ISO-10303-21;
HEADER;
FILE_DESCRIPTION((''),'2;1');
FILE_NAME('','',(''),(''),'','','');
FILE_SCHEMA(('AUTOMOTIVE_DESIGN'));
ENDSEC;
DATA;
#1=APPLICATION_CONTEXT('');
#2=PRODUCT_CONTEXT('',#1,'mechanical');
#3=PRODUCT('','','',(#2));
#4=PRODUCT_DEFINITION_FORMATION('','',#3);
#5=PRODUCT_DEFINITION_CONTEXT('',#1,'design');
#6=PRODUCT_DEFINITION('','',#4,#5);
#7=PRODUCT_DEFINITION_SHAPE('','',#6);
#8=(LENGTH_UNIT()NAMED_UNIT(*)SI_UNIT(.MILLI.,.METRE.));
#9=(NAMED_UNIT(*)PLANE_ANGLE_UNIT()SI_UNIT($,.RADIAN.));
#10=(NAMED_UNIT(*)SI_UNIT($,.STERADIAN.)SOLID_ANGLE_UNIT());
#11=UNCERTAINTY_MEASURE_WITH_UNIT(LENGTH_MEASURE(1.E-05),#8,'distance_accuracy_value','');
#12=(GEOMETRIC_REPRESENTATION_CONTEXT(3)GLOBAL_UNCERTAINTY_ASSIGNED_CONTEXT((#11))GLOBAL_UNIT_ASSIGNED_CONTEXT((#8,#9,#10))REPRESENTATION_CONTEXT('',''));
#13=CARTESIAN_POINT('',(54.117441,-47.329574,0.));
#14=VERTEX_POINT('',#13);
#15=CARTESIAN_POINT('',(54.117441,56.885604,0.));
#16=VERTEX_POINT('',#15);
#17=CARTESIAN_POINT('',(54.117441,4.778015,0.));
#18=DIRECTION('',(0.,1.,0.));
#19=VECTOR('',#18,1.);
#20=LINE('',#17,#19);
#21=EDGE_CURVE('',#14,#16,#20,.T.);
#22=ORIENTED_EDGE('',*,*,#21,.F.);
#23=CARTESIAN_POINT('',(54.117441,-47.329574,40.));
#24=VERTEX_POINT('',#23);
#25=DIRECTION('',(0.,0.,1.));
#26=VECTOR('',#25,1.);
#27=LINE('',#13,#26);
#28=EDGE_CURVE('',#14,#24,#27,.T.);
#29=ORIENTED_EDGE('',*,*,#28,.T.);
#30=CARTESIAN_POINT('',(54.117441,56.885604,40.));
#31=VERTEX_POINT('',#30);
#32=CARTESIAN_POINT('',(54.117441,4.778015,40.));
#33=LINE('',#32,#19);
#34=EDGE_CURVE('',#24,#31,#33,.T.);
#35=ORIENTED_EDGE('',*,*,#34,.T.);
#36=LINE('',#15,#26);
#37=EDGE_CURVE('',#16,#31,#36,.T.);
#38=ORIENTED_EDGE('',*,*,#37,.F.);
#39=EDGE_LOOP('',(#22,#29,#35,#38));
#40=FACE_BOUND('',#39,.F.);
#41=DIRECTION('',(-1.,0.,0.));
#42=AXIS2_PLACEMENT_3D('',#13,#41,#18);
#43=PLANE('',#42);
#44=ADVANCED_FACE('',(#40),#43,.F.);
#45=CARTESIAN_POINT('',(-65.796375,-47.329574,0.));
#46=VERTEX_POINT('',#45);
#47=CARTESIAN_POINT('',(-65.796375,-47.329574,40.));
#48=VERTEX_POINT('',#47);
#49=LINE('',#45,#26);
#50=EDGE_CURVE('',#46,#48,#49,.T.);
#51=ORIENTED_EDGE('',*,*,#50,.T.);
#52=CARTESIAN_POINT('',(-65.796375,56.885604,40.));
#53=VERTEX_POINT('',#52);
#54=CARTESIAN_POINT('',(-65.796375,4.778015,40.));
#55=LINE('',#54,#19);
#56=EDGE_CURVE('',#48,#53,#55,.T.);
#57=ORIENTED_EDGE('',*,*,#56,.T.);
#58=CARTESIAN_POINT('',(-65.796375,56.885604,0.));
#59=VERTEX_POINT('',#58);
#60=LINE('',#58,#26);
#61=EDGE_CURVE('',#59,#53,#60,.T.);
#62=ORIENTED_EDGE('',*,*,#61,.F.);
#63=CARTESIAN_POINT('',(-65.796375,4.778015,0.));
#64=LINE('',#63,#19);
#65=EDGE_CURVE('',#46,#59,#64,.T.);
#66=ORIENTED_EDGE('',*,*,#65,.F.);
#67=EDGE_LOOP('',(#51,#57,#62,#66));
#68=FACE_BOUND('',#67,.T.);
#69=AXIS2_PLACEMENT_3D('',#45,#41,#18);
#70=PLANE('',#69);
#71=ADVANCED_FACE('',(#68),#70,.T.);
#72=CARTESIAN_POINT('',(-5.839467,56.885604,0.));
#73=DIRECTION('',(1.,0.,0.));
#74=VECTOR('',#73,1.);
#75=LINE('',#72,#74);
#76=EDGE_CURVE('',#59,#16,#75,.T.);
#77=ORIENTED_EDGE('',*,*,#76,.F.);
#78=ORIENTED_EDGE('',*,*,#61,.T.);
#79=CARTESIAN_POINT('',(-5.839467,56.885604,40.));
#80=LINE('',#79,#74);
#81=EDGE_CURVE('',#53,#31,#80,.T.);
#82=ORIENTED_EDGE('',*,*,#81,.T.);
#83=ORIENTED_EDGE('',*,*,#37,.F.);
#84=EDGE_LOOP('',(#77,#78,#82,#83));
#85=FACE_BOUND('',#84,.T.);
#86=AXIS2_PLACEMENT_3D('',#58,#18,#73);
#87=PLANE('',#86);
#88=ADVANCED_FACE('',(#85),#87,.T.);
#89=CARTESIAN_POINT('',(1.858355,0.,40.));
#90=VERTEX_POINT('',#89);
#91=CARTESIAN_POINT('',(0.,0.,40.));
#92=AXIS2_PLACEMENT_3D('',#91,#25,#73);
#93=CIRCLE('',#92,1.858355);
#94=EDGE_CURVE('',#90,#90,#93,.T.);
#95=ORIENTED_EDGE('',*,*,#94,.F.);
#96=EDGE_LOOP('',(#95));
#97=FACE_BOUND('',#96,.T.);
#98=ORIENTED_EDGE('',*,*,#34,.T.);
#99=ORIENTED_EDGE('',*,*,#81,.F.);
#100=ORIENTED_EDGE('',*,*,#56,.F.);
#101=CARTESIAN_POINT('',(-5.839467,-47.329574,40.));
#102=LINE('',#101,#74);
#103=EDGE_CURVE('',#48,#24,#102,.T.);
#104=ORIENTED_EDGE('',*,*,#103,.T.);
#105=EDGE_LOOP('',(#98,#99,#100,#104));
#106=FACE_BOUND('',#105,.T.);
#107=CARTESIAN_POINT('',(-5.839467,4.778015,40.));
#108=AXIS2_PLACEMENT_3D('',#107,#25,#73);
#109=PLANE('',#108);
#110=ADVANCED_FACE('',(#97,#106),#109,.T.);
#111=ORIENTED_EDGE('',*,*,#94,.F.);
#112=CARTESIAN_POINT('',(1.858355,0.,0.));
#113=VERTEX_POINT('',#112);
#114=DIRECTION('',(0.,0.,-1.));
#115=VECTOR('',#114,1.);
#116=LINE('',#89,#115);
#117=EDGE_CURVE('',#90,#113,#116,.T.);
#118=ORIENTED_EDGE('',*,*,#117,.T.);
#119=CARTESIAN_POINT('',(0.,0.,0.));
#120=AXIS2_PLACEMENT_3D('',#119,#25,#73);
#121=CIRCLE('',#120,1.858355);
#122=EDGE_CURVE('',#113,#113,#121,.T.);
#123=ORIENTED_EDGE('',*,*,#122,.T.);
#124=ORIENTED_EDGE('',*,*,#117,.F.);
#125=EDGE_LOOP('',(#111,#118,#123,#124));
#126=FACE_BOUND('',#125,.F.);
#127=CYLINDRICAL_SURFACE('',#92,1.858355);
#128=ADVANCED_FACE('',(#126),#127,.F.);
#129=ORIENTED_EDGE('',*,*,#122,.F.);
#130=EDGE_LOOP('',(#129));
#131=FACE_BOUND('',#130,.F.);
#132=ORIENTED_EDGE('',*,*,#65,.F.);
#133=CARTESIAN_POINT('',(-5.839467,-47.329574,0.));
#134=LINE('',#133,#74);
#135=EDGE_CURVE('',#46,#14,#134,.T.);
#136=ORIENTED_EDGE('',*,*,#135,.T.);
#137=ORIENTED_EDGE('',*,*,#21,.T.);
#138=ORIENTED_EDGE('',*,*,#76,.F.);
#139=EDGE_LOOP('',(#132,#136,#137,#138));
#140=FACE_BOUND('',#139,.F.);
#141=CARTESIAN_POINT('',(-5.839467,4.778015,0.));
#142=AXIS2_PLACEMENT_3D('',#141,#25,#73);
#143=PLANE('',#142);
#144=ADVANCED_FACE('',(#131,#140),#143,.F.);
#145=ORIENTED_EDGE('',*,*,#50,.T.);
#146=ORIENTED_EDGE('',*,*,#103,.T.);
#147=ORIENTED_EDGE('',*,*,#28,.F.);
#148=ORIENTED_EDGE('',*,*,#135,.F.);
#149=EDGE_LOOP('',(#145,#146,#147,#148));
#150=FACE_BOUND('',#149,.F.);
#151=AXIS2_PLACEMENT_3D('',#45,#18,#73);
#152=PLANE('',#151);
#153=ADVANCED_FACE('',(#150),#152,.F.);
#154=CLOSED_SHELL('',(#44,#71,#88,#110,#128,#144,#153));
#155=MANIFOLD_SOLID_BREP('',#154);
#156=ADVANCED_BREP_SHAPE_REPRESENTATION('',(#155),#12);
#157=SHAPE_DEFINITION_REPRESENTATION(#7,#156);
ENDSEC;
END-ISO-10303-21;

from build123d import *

# Parameters (mm, degrees)
F0_W          = 119.913816
F0_H          = 104.215179
F1_DEPTH      = 40
F2_R          = 1.858355
F3_DEPTH      = 32.004
F3_DEPTH_BACK = 58.674


with BuildPart() as f1:
    # F0 (on Top) → F1 (new body)
    with BuildSketch(Plane.XY):
        with Locations((-5.839467, 4.778015)):
            Rectangle(F0_W, F0_H)
    extrude(amount=F1_DEPTH)

    # F2 (on face) → F3 (cut, two sides)
    with BuildSketch(Plane.XY.offset(40)) as f3_sk:
        Circle(F2_R)
    extrude(amount=F3_DEPTH, mode=Mode.SUBTRACT)
    extrude(f3_sk.sketch, amount=-F3_DEPTH_BACK, mode=Mode.SUBTRACT)


solid = f1.part
